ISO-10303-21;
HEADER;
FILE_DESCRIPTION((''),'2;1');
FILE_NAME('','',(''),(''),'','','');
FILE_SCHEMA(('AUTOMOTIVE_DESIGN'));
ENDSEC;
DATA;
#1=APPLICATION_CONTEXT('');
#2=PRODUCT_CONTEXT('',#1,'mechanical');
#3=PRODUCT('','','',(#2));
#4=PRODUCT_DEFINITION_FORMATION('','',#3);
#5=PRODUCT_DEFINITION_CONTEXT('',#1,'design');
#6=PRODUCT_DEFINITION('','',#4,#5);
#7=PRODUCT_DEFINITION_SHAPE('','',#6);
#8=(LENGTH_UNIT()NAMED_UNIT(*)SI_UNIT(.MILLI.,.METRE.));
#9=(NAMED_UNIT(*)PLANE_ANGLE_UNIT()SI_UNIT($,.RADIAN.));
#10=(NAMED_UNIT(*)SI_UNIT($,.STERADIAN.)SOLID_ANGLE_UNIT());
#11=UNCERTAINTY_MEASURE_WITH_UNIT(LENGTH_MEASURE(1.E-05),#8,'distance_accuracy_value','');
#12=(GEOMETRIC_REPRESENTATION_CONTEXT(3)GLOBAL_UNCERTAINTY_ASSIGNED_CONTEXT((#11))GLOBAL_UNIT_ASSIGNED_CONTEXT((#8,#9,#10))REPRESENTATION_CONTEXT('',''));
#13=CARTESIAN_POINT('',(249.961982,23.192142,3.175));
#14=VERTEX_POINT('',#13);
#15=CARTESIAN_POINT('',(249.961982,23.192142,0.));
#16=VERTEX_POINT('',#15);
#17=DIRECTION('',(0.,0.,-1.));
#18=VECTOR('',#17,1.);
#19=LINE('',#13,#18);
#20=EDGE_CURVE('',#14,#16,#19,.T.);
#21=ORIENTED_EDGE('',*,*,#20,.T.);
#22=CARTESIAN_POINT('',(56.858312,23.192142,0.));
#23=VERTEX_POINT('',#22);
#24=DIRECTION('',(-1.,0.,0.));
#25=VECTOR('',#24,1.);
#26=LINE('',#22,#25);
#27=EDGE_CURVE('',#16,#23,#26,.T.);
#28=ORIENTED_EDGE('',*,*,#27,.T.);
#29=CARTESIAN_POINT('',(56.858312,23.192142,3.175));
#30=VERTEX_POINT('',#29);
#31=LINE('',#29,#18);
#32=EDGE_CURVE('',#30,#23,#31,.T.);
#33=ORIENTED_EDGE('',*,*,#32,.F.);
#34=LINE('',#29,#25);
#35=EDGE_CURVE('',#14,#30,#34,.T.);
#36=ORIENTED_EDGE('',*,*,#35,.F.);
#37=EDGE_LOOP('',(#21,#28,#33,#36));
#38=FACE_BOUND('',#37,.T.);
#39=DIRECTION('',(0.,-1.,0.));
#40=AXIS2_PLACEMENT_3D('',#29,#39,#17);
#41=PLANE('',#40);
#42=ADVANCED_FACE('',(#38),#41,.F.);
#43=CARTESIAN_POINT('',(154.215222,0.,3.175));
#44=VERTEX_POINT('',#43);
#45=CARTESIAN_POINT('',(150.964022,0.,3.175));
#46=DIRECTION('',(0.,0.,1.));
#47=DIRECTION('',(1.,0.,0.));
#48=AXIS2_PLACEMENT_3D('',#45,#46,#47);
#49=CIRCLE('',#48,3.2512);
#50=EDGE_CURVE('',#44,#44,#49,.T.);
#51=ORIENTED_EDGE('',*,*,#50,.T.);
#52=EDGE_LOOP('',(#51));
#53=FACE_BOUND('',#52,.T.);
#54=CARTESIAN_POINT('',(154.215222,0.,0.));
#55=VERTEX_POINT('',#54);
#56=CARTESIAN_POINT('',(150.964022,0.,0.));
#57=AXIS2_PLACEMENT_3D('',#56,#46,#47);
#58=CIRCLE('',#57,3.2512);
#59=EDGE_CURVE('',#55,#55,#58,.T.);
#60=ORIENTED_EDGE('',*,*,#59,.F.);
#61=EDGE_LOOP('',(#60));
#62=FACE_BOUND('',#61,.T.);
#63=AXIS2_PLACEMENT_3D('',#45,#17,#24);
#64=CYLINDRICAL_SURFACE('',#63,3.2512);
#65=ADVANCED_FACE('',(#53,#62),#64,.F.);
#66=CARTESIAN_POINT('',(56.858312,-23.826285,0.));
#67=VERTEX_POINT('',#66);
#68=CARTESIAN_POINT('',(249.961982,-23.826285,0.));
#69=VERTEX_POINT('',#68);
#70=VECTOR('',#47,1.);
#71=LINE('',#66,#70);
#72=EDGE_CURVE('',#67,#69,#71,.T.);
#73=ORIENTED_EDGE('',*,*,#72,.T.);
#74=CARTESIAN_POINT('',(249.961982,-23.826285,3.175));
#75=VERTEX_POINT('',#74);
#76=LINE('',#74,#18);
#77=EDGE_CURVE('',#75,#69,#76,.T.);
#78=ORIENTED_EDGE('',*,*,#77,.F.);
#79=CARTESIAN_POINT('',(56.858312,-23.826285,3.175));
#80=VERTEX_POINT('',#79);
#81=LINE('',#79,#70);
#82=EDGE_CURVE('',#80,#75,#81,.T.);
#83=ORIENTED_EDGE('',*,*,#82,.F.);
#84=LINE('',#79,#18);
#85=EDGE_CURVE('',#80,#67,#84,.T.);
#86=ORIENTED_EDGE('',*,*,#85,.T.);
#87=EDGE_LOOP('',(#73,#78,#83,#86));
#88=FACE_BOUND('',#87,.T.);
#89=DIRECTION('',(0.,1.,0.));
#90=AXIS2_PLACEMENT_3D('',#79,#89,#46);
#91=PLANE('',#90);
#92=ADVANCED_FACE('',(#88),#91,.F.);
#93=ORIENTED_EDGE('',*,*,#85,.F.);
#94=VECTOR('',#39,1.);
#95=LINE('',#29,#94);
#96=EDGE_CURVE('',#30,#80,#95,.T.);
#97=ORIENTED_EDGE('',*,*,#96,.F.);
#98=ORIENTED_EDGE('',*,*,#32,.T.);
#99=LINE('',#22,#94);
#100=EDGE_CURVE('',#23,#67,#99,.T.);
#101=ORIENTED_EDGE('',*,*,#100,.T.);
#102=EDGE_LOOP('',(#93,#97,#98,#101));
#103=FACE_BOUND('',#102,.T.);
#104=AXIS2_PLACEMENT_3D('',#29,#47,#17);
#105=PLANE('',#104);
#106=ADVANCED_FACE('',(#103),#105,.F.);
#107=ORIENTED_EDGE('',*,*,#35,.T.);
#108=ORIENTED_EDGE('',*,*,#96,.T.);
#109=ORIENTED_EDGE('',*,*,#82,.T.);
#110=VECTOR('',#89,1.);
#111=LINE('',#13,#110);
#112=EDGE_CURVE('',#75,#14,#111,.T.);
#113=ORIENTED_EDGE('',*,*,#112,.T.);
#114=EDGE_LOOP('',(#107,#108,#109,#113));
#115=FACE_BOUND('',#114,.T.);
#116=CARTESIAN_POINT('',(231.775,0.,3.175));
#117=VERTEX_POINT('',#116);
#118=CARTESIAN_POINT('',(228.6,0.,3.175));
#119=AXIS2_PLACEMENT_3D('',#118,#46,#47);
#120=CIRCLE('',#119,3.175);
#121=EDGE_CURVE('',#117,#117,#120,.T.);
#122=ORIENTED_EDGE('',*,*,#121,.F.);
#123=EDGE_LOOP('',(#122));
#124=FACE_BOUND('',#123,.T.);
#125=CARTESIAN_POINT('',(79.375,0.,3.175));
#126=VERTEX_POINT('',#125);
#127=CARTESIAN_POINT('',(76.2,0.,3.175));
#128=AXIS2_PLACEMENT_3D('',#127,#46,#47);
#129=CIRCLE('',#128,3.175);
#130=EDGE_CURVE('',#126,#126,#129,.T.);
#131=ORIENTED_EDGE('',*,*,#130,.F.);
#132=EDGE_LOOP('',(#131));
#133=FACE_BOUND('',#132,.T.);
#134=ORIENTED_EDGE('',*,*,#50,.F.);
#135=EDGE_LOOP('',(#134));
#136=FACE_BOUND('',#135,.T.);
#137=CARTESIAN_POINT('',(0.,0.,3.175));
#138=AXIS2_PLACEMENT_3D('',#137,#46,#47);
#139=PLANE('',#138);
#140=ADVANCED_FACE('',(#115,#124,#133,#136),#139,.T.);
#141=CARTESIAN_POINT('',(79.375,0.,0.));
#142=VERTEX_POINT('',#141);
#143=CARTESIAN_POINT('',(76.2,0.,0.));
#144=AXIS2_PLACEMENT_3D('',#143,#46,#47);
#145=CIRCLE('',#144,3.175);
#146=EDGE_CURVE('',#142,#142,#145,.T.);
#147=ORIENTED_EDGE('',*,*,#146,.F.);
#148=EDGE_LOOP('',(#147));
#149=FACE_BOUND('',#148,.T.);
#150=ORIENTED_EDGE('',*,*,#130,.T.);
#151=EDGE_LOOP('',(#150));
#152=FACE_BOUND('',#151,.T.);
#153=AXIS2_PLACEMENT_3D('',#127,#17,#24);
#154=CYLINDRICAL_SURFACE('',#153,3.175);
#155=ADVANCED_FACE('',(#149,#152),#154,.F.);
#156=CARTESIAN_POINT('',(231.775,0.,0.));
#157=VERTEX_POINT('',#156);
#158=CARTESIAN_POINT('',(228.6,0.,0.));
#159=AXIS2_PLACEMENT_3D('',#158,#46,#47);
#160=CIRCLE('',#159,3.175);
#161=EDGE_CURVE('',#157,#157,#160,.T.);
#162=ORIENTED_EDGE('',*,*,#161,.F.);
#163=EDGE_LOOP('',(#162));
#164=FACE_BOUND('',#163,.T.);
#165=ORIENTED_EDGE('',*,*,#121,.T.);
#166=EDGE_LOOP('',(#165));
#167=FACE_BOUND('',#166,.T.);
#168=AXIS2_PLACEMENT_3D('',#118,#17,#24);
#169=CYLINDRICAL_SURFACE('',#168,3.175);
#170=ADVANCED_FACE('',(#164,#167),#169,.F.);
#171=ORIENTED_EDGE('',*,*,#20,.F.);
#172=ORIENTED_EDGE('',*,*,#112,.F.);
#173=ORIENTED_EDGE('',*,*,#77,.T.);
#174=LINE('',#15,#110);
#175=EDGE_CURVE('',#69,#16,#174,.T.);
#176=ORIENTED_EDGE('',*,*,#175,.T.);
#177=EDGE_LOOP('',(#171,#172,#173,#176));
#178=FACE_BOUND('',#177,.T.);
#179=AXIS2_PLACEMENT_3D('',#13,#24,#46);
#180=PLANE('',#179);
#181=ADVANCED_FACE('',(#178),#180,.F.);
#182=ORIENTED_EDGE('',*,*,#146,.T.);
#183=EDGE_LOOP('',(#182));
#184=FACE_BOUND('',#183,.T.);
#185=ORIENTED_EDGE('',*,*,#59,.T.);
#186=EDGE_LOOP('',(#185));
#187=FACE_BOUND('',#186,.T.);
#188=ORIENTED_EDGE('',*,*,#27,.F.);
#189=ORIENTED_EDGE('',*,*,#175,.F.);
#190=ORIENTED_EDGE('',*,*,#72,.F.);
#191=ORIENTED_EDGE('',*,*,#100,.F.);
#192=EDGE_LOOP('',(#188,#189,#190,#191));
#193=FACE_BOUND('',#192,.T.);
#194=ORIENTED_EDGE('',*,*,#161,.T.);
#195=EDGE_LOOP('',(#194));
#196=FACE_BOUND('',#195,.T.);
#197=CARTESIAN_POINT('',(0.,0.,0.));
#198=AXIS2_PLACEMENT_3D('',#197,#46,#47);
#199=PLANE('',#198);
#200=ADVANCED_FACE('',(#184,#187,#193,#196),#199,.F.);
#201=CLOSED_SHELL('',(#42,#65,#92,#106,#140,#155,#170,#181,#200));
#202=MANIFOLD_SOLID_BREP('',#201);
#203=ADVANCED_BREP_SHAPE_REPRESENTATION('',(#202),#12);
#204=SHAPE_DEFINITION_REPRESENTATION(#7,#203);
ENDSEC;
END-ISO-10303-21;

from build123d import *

# Parameters (mm, degrees)
SKETCH1_W           = 193.103670403
SKETCH1_H           = 47.018427379
SKETCH1_R           = 3.175
SKETCH1_R_2         = 3.2512
BOSS_EXTRUDE1_DEPTH = 3.175


with BuildPart() as part:
    # Sketch1 → Boss-Extrude1 (new body)
    with BuildSketch(Plane.XY):
        with Locations((153.410147032, -0.317071457)):
            Rectangle(SKETCH1_W, SKETCH1_H)
        with Locations((76.2, 0)):
            Circle(SKETCH1_R, mode=Mode.SUBTRACT)
        with Locations((228.6, 0)):
            Circle(SKETCH1_R, mode=Mode.SUBTRACT)
        with Locations((150.964022252, 0)):
            Circle(SKETCH1_R_2, mode=Mode.SUBTRACT)
    extrude(amount=BOSS_EXTRUDE1_DEPTH)


solid = part.part
